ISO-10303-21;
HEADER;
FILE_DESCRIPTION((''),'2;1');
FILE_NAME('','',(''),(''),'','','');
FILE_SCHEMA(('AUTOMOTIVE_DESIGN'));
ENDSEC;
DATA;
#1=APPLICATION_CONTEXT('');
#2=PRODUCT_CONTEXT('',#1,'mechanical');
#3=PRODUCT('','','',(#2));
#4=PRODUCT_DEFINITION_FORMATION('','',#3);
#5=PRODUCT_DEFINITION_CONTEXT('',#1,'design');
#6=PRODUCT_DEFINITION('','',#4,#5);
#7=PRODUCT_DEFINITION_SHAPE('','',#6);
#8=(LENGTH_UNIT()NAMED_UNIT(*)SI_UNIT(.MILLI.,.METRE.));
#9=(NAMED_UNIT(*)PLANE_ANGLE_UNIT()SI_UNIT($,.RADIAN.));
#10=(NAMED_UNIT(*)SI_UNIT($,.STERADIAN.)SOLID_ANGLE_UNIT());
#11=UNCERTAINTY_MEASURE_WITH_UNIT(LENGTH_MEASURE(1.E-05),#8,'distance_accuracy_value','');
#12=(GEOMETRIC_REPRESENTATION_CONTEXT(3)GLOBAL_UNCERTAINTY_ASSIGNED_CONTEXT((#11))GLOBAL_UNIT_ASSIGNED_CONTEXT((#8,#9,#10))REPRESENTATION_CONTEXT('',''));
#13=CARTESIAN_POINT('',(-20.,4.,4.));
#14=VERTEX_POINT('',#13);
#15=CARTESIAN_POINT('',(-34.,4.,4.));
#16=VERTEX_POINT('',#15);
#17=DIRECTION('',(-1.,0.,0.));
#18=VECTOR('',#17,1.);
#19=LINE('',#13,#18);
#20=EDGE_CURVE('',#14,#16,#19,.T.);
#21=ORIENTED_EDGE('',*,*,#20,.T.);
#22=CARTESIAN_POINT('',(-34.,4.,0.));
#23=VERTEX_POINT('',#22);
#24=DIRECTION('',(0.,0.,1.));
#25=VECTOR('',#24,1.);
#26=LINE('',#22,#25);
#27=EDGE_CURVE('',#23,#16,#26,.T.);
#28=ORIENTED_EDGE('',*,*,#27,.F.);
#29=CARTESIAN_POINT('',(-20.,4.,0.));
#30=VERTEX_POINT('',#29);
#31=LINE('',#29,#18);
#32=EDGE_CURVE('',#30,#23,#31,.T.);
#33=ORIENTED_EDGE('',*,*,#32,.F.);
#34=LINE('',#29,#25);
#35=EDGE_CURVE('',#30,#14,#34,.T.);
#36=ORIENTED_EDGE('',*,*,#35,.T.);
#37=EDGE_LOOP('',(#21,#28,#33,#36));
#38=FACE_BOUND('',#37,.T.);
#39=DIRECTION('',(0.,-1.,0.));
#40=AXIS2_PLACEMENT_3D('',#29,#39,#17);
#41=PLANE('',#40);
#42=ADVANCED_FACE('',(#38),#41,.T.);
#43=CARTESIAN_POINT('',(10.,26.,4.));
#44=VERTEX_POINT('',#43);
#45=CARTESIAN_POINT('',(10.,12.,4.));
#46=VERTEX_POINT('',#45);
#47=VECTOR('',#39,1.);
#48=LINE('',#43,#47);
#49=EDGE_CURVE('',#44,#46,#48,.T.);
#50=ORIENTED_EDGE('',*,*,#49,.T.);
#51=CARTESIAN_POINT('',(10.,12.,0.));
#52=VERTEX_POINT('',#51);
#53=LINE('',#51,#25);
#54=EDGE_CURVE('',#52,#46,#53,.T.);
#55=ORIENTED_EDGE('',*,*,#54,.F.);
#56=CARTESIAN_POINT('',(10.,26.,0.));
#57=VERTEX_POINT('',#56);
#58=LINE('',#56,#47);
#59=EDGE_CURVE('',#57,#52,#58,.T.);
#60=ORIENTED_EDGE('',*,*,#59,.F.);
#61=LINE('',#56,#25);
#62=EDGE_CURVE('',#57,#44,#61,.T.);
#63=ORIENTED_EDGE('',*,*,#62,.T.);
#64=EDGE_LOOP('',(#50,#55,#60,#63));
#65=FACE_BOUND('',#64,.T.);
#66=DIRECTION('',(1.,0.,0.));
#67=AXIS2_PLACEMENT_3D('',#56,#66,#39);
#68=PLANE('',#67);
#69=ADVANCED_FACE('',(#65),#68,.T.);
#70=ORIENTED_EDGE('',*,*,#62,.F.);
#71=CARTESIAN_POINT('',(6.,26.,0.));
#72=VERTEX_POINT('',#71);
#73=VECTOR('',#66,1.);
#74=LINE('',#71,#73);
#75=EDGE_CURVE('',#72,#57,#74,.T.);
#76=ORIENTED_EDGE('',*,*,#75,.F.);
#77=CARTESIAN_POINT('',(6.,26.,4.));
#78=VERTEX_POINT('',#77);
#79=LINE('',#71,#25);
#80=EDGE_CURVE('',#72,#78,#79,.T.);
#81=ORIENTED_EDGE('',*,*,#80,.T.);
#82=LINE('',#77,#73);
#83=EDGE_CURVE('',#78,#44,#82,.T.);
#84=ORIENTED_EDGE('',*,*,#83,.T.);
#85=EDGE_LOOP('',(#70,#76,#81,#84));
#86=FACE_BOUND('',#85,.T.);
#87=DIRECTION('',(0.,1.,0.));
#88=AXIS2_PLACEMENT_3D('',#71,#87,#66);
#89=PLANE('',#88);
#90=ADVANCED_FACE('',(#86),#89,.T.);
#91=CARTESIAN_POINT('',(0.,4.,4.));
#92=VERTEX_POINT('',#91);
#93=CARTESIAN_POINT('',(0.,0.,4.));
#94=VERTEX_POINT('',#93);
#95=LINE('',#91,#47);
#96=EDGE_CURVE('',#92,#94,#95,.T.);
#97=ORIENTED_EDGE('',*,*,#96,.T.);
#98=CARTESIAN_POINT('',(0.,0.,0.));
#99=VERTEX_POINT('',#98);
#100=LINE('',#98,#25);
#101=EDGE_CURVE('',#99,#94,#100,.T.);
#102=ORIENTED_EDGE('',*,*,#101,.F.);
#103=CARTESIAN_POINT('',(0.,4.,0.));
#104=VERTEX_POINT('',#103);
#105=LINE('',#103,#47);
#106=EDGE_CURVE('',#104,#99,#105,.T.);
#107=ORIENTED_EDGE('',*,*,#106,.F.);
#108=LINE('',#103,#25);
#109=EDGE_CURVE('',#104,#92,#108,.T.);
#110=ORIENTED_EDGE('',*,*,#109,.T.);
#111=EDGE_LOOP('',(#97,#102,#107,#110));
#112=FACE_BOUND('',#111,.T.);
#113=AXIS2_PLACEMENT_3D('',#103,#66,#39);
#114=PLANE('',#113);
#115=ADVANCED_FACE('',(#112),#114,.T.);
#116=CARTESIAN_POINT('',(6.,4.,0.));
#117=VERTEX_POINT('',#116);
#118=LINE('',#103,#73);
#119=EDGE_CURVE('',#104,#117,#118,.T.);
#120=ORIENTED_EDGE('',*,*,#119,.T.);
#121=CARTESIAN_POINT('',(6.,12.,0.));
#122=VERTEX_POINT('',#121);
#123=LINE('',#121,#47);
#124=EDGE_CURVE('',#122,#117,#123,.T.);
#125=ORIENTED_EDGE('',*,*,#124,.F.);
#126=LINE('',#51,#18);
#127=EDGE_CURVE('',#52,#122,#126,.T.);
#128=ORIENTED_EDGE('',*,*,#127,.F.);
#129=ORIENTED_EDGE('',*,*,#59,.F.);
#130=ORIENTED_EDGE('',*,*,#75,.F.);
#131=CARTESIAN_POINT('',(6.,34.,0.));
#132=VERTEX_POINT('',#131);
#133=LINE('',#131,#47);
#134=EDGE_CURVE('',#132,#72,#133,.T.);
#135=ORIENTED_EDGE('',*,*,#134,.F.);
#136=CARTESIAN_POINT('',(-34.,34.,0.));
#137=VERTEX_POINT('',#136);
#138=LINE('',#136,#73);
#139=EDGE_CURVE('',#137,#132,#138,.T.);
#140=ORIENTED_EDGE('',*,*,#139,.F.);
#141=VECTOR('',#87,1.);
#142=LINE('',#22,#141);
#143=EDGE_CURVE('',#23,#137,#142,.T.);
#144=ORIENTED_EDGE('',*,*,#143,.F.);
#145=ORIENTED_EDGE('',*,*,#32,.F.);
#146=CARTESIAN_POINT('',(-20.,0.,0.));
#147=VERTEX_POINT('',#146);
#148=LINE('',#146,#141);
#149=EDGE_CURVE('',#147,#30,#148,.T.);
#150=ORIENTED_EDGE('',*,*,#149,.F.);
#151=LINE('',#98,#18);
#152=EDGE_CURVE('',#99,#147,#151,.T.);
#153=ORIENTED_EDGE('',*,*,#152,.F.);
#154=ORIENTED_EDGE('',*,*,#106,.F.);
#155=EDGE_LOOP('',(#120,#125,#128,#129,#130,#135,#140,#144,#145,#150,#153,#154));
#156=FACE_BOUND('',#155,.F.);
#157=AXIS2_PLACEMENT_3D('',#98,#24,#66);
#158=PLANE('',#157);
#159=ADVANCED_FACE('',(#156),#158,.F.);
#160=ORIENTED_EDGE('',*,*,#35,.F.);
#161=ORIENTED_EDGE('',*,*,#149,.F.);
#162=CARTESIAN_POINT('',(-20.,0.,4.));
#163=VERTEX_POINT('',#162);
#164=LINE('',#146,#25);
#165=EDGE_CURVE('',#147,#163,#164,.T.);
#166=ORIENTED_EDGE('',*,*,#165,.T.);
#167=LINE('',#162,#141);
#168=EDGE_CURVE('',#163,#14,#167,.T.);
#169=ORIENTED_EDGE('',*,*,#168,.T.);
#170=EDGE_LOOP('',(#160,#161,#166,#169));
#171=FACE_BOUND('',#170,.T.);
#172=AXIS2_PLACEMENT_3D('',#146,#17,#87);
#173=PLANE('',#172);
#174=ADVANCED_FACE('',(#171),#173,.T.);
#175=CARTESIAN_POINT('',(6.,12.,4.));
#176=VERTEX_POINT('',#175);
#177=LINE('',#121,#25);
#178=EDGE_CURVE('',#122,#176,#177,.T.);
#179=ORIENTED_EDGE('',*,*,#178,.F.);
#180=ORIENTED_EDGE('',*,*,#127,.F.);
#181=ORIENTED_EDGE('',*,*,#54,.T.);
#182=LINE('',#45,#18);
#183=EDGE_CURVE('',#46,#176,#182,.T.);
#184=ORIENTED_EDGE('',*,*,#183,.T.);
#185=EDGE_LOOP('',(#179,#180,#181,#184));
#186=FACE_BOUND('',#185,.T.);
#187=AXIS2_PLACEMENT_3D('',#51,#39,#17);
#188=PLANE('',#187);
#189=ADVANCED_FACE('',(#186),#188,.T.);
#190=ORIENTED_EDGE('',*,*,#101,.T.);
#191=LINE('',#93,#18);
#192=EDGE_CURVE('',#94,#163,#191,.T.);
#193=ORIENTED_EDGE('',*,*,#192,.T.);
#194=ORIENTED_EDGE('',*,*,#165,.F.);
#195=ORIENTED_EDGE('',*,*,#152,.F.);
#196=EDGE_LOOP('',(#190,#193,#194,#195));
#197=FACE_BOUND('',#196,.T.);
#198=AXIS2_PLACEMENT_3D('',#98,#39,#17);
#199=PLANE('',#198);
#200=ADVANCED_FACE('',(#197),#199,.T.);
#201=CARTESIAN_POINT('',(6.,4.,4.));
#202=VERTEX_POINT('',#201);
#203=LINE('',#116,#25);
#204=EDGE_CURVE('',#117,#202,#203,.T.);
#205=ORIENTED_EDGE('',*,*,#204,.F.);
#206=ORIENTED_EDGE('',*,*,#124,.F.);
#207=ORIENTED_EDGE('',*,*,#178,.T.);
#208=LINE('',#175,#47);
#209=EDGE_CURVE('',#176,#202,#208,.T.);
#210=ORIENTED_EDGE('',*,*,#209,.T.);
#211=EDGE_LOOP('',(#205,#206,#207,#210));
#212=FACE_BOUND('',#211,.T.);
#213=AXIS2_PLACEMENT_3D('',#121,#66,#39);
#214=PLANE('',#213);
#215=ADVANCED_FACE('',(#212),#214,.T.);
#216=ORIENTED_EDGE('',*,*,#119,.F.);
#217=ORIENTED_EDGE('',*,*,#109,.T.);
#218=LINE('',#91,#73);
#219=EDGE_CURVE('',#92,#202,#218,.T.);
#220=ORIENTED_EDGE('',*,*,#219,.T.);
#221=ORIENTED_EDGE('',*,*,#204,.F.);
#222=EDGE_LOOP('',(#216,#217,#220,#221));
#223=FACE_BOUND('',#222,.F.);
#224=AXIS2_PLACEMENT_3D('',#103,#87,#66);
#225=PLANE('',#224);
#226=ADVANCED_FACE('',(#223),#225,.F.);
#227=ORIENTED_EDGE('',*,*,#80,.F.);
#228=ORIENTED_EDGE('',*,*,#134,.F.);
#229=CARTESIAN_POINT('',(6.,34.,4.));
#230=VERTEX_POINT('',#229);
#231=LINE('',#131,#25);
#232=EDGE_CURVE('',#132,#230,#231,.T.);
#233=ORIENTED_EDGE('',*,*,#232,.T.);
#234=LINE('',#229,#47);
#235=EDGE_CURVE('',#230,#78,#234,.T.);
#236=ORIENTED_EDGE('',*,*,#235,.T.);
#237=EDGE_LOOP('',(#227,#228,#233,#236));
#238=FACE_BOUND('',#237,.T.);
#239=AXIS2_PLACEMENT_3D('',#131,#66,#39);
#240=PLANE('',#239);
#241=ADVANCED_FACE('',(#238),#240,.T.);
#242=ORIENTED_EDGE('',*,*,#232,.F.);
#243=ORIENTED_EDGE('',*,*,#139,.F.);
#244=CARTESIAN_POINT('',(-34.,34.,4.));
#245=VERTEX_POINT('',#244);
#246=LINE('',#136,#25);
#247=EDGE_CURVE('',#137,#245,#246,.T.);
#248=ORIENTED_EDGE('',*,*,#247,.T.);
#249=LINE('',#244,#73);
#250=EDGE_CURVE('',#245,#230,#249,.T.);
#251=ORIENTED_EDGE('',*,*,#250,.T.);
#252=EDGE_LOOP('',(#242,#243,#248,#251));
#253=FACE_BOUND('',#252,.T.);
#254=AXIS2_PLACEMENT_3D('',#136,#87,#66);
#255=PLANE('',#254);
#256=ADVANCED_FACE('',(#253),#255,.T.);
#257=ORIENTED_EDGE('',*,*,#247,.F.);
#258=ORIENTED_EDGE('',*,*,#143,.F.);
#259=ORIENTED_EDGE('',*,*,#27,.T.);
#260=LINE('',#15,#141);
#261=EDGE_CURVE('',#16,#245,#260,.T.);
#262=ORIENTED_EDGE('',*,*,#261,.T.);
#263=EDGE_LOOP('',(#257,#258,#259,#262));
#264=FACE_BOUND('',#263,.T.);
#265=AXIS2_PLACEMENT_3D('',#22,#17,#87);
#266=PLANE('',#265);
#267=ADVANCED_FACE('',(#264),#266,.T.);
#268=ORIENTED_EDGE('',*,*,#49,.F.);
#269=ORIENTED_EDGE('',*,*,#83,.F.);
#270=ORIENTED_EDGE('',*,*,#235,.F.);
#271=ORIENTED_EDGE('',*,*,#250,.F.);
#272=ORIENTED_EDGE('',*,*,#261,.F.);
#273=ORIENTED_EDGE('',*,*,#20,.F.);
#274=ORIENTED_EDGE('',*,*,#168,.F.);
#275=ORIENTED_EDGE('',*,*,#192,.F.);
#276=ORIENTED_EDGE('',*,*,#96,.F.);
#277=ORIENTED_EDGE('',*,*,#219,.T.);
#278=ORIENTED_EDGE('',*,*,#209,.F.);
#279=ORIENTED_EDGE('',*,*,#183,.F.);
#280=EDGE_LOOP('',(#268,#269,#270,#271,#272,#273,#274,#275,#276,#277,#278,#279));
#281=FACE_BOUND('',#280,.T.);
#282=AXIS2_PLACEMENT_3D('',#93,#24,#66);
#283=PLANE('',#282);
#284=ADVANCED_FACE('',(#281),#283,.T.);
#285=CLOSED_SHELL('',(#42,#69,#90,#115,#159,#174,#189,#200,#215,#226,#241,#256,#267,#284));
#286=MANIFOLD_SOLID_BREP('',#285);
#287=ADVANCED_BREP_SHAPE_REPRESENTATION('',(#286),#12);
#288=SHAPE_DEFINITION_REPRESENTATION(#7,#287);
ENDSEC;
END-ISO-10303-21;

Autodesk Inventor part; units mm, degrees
ref_plane "YZ Plane" through (0, 0, 0) normal (1, 0, 0) x (0, 1, 0)
ref_plane "XZ Plane" through (0, 0, 0) normal (0, 1, 0) x (-1, 0, 0)
ref_plane "XY Plane" through (0, 0, 0) normal (0, 0, 1) x (1, 0, 0)
sketch "Эскиз1" plane through (0, 0, 0) normal (0, 0, 1) x (1, 0, 0)
  line L0 (0, 0) -> (-20, 0)
  line L1 (-20, 0) -> (-20, 4)
  line L2 (-20, 4) -> (-34, 4)
  line L3 (-34, 4) -> (-34, 34)
  line L4 (-34, 34) -> (6, 34)
  line L5 (6, 34) -> (6, 26)
  line L6 (6, 26) -> (10, 26)
  line L7 (10, 26) -> (10, 12)
  line L8 (10, 12) -> (6, 12)
  line L9 (6, 12) -> (6, 4)
  line L10 (0, 4) -> (0, 0)
  line L11 (0, 4) -> (6, 4)
  dimension "d0" = 4
  dimension "d1" = 30
  dimension "d2" = 14
  dimension "d4" = 20
  dimension "d5" = 14
  dimension "d6" = 6
extrude "Выдавливание1" add sketch "Эскиз1" along normal blind 4
properties part number "Limiter3" material "Дерево (вишня)"
